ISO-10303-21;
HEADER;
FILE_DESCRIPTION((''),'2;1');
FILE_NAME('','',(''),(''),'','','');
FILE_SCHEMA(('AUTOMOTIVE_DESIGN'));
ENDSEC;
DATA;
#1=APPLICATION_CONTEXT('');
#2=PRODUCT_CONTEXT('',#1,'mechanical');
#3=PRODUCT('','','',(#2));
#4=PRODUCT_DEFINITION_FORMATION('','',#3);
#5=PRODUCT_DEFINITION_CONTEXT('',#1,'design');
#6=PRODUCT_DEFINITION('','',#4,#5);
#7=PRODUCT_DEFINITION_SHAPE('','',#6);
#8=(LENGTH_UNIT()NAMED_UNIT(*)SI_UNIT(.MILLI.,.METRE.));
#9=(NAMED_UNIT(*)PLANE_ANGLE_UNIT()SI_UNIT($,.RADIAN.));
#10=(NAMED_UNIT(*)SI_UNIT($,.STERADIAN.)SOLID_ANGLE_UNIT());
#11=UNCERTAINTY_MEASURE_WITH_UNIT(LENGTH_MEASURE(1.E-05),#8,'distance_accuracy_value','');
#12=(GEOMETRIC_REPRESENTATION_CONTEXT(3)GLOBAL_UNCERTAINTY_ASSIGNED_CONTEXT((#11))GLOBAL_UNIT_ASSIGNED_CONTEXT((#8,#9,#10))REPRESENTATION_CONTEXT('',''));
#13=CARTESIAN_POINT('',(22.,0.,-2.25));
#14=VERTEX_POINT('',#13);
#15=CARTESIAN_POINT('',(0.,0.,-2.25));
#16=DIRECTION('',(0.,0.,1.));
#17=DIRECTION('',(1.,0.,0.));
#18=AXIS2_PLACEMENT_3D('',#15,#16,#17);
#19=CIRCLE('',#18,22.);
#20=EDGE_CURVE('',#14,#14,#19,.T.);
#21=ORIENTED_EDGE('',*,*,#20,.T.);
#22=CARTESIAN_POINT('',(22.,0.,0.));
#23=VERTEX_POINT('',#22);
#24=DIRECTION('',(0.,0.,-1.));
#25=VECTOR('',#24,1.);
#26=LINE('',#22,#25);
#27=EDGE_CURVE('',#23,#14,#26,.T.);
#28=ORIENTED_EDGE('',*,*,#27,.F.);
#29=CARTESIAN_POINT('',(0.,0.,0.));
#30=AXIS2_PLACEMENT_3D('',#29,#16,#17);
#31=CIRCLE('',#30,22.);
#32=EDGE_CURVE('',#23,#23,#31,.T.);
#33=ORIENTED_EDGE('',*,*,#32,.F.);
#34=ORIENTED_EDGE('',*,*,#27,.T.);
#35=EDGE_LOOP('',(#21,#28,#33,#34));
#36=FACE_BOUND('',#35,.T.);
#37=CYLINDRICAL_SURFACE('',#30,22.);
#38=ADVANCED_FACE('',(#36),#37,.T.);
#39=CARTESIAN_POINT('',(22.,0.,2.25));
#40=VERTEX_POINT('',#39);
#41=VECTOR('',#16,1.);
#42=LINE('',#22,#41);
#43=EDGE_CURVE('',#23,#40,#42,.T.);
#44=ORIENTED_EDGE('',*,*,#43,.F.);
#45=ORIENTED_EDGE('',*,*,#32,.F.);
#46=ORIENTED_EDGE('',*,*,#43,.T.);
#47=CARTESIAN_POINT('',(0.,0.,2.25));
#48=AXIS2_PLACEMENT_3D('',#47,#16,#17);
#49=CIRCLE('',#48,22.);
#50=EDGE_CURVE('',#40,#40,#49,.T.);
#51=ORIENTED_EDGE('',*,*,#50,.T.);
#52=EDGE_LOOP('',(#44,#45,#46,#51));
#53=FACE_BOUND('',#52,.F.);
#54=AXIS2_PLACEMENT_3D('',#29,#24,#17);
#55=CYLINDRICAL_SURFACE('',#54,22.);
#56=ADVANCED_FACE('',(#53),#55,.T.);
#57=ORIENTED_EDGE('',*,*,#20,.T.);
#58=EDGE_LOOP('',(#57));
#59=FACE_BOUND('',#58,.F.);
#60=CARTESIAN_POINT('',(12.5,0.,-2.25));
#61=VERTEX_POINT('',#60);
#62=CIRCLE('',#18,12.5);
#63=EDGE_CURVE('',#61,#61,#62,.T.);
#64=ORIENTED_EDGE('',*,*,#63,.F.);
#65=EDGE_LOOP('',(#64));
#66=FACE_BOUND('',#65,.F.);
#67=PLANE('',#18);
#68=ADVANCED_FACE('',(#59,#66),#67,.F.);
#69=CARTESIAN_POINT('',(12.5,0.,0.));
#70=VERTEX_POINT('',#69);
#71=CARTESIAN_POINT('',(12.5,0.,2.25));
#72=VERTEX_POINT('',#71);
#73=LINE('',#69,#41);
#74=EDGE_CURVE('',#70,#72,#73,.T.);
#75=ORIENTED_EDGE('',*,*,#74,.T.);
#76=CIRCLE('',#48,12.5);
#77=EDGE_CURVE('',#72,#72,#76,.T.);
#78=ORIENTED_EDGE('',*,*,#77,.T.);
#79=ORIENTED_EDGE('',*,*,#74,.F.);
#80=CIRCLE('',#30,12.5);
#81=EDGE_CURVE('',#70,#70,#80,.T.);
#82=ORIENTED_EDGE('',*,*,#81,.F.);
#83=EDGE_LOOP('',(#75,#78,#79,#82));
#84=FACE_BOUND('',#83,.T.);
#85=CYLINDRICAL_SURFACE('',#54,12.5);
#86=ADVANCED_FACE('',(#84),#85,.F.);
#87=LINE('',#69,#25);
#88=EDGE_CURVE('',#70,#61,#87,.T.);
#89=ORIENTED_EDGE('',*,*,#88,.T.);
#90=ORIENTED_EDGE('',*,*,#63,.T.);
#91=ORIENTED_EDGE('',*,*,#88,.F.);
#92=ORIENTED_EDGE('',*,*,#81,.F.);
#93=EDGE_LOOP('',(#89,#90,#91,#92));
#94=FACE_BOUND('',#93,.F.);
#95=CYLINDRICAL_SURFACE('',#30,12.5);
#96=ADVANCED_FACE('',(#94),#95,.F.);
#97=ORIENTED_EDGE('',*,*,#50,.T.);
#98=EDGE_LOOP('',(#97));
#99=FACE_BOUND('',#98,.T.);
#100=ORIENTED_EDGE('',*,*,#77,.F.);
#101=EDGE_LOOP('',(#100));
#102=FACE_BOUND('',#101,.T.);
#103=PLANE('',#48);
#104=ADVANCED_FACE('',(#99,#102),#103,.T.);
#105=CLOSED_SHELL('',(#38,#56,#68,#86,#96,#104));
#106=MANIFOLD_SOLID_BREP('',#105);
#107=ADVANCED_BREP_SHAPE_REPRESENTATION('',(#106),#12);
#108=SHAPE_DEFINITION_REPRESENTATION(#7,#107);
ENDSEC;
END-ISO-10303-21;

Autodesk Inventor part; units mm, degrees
ref_plane "YZ Plane" through (0, 0, 0) normal (1, 0, 0) x (0, 1, 0)
ref_plane "XZ Plane" through (0, 0, 0) normal (0, 1, 0) x (-1, 0, 0)
ref_plane "XY Plane" through (0, 0, 0) normal (0, 0, 1) x (1, 0, 0)
sketch "Эскиз1" plane through (0, 0, 0) normal (0, 0, 1) x (1, 0, 0)
  circle A0 centre (0, 0) radius 12.5
  circle A1 centre (0, 0) radius 22
  dimension "d0" = 25
  dimension "d1" = 44
extrude "Выдавливание1" add sketch "Эскиз1" along normal mid plane 4.5
properties part number "136. Шайба"
